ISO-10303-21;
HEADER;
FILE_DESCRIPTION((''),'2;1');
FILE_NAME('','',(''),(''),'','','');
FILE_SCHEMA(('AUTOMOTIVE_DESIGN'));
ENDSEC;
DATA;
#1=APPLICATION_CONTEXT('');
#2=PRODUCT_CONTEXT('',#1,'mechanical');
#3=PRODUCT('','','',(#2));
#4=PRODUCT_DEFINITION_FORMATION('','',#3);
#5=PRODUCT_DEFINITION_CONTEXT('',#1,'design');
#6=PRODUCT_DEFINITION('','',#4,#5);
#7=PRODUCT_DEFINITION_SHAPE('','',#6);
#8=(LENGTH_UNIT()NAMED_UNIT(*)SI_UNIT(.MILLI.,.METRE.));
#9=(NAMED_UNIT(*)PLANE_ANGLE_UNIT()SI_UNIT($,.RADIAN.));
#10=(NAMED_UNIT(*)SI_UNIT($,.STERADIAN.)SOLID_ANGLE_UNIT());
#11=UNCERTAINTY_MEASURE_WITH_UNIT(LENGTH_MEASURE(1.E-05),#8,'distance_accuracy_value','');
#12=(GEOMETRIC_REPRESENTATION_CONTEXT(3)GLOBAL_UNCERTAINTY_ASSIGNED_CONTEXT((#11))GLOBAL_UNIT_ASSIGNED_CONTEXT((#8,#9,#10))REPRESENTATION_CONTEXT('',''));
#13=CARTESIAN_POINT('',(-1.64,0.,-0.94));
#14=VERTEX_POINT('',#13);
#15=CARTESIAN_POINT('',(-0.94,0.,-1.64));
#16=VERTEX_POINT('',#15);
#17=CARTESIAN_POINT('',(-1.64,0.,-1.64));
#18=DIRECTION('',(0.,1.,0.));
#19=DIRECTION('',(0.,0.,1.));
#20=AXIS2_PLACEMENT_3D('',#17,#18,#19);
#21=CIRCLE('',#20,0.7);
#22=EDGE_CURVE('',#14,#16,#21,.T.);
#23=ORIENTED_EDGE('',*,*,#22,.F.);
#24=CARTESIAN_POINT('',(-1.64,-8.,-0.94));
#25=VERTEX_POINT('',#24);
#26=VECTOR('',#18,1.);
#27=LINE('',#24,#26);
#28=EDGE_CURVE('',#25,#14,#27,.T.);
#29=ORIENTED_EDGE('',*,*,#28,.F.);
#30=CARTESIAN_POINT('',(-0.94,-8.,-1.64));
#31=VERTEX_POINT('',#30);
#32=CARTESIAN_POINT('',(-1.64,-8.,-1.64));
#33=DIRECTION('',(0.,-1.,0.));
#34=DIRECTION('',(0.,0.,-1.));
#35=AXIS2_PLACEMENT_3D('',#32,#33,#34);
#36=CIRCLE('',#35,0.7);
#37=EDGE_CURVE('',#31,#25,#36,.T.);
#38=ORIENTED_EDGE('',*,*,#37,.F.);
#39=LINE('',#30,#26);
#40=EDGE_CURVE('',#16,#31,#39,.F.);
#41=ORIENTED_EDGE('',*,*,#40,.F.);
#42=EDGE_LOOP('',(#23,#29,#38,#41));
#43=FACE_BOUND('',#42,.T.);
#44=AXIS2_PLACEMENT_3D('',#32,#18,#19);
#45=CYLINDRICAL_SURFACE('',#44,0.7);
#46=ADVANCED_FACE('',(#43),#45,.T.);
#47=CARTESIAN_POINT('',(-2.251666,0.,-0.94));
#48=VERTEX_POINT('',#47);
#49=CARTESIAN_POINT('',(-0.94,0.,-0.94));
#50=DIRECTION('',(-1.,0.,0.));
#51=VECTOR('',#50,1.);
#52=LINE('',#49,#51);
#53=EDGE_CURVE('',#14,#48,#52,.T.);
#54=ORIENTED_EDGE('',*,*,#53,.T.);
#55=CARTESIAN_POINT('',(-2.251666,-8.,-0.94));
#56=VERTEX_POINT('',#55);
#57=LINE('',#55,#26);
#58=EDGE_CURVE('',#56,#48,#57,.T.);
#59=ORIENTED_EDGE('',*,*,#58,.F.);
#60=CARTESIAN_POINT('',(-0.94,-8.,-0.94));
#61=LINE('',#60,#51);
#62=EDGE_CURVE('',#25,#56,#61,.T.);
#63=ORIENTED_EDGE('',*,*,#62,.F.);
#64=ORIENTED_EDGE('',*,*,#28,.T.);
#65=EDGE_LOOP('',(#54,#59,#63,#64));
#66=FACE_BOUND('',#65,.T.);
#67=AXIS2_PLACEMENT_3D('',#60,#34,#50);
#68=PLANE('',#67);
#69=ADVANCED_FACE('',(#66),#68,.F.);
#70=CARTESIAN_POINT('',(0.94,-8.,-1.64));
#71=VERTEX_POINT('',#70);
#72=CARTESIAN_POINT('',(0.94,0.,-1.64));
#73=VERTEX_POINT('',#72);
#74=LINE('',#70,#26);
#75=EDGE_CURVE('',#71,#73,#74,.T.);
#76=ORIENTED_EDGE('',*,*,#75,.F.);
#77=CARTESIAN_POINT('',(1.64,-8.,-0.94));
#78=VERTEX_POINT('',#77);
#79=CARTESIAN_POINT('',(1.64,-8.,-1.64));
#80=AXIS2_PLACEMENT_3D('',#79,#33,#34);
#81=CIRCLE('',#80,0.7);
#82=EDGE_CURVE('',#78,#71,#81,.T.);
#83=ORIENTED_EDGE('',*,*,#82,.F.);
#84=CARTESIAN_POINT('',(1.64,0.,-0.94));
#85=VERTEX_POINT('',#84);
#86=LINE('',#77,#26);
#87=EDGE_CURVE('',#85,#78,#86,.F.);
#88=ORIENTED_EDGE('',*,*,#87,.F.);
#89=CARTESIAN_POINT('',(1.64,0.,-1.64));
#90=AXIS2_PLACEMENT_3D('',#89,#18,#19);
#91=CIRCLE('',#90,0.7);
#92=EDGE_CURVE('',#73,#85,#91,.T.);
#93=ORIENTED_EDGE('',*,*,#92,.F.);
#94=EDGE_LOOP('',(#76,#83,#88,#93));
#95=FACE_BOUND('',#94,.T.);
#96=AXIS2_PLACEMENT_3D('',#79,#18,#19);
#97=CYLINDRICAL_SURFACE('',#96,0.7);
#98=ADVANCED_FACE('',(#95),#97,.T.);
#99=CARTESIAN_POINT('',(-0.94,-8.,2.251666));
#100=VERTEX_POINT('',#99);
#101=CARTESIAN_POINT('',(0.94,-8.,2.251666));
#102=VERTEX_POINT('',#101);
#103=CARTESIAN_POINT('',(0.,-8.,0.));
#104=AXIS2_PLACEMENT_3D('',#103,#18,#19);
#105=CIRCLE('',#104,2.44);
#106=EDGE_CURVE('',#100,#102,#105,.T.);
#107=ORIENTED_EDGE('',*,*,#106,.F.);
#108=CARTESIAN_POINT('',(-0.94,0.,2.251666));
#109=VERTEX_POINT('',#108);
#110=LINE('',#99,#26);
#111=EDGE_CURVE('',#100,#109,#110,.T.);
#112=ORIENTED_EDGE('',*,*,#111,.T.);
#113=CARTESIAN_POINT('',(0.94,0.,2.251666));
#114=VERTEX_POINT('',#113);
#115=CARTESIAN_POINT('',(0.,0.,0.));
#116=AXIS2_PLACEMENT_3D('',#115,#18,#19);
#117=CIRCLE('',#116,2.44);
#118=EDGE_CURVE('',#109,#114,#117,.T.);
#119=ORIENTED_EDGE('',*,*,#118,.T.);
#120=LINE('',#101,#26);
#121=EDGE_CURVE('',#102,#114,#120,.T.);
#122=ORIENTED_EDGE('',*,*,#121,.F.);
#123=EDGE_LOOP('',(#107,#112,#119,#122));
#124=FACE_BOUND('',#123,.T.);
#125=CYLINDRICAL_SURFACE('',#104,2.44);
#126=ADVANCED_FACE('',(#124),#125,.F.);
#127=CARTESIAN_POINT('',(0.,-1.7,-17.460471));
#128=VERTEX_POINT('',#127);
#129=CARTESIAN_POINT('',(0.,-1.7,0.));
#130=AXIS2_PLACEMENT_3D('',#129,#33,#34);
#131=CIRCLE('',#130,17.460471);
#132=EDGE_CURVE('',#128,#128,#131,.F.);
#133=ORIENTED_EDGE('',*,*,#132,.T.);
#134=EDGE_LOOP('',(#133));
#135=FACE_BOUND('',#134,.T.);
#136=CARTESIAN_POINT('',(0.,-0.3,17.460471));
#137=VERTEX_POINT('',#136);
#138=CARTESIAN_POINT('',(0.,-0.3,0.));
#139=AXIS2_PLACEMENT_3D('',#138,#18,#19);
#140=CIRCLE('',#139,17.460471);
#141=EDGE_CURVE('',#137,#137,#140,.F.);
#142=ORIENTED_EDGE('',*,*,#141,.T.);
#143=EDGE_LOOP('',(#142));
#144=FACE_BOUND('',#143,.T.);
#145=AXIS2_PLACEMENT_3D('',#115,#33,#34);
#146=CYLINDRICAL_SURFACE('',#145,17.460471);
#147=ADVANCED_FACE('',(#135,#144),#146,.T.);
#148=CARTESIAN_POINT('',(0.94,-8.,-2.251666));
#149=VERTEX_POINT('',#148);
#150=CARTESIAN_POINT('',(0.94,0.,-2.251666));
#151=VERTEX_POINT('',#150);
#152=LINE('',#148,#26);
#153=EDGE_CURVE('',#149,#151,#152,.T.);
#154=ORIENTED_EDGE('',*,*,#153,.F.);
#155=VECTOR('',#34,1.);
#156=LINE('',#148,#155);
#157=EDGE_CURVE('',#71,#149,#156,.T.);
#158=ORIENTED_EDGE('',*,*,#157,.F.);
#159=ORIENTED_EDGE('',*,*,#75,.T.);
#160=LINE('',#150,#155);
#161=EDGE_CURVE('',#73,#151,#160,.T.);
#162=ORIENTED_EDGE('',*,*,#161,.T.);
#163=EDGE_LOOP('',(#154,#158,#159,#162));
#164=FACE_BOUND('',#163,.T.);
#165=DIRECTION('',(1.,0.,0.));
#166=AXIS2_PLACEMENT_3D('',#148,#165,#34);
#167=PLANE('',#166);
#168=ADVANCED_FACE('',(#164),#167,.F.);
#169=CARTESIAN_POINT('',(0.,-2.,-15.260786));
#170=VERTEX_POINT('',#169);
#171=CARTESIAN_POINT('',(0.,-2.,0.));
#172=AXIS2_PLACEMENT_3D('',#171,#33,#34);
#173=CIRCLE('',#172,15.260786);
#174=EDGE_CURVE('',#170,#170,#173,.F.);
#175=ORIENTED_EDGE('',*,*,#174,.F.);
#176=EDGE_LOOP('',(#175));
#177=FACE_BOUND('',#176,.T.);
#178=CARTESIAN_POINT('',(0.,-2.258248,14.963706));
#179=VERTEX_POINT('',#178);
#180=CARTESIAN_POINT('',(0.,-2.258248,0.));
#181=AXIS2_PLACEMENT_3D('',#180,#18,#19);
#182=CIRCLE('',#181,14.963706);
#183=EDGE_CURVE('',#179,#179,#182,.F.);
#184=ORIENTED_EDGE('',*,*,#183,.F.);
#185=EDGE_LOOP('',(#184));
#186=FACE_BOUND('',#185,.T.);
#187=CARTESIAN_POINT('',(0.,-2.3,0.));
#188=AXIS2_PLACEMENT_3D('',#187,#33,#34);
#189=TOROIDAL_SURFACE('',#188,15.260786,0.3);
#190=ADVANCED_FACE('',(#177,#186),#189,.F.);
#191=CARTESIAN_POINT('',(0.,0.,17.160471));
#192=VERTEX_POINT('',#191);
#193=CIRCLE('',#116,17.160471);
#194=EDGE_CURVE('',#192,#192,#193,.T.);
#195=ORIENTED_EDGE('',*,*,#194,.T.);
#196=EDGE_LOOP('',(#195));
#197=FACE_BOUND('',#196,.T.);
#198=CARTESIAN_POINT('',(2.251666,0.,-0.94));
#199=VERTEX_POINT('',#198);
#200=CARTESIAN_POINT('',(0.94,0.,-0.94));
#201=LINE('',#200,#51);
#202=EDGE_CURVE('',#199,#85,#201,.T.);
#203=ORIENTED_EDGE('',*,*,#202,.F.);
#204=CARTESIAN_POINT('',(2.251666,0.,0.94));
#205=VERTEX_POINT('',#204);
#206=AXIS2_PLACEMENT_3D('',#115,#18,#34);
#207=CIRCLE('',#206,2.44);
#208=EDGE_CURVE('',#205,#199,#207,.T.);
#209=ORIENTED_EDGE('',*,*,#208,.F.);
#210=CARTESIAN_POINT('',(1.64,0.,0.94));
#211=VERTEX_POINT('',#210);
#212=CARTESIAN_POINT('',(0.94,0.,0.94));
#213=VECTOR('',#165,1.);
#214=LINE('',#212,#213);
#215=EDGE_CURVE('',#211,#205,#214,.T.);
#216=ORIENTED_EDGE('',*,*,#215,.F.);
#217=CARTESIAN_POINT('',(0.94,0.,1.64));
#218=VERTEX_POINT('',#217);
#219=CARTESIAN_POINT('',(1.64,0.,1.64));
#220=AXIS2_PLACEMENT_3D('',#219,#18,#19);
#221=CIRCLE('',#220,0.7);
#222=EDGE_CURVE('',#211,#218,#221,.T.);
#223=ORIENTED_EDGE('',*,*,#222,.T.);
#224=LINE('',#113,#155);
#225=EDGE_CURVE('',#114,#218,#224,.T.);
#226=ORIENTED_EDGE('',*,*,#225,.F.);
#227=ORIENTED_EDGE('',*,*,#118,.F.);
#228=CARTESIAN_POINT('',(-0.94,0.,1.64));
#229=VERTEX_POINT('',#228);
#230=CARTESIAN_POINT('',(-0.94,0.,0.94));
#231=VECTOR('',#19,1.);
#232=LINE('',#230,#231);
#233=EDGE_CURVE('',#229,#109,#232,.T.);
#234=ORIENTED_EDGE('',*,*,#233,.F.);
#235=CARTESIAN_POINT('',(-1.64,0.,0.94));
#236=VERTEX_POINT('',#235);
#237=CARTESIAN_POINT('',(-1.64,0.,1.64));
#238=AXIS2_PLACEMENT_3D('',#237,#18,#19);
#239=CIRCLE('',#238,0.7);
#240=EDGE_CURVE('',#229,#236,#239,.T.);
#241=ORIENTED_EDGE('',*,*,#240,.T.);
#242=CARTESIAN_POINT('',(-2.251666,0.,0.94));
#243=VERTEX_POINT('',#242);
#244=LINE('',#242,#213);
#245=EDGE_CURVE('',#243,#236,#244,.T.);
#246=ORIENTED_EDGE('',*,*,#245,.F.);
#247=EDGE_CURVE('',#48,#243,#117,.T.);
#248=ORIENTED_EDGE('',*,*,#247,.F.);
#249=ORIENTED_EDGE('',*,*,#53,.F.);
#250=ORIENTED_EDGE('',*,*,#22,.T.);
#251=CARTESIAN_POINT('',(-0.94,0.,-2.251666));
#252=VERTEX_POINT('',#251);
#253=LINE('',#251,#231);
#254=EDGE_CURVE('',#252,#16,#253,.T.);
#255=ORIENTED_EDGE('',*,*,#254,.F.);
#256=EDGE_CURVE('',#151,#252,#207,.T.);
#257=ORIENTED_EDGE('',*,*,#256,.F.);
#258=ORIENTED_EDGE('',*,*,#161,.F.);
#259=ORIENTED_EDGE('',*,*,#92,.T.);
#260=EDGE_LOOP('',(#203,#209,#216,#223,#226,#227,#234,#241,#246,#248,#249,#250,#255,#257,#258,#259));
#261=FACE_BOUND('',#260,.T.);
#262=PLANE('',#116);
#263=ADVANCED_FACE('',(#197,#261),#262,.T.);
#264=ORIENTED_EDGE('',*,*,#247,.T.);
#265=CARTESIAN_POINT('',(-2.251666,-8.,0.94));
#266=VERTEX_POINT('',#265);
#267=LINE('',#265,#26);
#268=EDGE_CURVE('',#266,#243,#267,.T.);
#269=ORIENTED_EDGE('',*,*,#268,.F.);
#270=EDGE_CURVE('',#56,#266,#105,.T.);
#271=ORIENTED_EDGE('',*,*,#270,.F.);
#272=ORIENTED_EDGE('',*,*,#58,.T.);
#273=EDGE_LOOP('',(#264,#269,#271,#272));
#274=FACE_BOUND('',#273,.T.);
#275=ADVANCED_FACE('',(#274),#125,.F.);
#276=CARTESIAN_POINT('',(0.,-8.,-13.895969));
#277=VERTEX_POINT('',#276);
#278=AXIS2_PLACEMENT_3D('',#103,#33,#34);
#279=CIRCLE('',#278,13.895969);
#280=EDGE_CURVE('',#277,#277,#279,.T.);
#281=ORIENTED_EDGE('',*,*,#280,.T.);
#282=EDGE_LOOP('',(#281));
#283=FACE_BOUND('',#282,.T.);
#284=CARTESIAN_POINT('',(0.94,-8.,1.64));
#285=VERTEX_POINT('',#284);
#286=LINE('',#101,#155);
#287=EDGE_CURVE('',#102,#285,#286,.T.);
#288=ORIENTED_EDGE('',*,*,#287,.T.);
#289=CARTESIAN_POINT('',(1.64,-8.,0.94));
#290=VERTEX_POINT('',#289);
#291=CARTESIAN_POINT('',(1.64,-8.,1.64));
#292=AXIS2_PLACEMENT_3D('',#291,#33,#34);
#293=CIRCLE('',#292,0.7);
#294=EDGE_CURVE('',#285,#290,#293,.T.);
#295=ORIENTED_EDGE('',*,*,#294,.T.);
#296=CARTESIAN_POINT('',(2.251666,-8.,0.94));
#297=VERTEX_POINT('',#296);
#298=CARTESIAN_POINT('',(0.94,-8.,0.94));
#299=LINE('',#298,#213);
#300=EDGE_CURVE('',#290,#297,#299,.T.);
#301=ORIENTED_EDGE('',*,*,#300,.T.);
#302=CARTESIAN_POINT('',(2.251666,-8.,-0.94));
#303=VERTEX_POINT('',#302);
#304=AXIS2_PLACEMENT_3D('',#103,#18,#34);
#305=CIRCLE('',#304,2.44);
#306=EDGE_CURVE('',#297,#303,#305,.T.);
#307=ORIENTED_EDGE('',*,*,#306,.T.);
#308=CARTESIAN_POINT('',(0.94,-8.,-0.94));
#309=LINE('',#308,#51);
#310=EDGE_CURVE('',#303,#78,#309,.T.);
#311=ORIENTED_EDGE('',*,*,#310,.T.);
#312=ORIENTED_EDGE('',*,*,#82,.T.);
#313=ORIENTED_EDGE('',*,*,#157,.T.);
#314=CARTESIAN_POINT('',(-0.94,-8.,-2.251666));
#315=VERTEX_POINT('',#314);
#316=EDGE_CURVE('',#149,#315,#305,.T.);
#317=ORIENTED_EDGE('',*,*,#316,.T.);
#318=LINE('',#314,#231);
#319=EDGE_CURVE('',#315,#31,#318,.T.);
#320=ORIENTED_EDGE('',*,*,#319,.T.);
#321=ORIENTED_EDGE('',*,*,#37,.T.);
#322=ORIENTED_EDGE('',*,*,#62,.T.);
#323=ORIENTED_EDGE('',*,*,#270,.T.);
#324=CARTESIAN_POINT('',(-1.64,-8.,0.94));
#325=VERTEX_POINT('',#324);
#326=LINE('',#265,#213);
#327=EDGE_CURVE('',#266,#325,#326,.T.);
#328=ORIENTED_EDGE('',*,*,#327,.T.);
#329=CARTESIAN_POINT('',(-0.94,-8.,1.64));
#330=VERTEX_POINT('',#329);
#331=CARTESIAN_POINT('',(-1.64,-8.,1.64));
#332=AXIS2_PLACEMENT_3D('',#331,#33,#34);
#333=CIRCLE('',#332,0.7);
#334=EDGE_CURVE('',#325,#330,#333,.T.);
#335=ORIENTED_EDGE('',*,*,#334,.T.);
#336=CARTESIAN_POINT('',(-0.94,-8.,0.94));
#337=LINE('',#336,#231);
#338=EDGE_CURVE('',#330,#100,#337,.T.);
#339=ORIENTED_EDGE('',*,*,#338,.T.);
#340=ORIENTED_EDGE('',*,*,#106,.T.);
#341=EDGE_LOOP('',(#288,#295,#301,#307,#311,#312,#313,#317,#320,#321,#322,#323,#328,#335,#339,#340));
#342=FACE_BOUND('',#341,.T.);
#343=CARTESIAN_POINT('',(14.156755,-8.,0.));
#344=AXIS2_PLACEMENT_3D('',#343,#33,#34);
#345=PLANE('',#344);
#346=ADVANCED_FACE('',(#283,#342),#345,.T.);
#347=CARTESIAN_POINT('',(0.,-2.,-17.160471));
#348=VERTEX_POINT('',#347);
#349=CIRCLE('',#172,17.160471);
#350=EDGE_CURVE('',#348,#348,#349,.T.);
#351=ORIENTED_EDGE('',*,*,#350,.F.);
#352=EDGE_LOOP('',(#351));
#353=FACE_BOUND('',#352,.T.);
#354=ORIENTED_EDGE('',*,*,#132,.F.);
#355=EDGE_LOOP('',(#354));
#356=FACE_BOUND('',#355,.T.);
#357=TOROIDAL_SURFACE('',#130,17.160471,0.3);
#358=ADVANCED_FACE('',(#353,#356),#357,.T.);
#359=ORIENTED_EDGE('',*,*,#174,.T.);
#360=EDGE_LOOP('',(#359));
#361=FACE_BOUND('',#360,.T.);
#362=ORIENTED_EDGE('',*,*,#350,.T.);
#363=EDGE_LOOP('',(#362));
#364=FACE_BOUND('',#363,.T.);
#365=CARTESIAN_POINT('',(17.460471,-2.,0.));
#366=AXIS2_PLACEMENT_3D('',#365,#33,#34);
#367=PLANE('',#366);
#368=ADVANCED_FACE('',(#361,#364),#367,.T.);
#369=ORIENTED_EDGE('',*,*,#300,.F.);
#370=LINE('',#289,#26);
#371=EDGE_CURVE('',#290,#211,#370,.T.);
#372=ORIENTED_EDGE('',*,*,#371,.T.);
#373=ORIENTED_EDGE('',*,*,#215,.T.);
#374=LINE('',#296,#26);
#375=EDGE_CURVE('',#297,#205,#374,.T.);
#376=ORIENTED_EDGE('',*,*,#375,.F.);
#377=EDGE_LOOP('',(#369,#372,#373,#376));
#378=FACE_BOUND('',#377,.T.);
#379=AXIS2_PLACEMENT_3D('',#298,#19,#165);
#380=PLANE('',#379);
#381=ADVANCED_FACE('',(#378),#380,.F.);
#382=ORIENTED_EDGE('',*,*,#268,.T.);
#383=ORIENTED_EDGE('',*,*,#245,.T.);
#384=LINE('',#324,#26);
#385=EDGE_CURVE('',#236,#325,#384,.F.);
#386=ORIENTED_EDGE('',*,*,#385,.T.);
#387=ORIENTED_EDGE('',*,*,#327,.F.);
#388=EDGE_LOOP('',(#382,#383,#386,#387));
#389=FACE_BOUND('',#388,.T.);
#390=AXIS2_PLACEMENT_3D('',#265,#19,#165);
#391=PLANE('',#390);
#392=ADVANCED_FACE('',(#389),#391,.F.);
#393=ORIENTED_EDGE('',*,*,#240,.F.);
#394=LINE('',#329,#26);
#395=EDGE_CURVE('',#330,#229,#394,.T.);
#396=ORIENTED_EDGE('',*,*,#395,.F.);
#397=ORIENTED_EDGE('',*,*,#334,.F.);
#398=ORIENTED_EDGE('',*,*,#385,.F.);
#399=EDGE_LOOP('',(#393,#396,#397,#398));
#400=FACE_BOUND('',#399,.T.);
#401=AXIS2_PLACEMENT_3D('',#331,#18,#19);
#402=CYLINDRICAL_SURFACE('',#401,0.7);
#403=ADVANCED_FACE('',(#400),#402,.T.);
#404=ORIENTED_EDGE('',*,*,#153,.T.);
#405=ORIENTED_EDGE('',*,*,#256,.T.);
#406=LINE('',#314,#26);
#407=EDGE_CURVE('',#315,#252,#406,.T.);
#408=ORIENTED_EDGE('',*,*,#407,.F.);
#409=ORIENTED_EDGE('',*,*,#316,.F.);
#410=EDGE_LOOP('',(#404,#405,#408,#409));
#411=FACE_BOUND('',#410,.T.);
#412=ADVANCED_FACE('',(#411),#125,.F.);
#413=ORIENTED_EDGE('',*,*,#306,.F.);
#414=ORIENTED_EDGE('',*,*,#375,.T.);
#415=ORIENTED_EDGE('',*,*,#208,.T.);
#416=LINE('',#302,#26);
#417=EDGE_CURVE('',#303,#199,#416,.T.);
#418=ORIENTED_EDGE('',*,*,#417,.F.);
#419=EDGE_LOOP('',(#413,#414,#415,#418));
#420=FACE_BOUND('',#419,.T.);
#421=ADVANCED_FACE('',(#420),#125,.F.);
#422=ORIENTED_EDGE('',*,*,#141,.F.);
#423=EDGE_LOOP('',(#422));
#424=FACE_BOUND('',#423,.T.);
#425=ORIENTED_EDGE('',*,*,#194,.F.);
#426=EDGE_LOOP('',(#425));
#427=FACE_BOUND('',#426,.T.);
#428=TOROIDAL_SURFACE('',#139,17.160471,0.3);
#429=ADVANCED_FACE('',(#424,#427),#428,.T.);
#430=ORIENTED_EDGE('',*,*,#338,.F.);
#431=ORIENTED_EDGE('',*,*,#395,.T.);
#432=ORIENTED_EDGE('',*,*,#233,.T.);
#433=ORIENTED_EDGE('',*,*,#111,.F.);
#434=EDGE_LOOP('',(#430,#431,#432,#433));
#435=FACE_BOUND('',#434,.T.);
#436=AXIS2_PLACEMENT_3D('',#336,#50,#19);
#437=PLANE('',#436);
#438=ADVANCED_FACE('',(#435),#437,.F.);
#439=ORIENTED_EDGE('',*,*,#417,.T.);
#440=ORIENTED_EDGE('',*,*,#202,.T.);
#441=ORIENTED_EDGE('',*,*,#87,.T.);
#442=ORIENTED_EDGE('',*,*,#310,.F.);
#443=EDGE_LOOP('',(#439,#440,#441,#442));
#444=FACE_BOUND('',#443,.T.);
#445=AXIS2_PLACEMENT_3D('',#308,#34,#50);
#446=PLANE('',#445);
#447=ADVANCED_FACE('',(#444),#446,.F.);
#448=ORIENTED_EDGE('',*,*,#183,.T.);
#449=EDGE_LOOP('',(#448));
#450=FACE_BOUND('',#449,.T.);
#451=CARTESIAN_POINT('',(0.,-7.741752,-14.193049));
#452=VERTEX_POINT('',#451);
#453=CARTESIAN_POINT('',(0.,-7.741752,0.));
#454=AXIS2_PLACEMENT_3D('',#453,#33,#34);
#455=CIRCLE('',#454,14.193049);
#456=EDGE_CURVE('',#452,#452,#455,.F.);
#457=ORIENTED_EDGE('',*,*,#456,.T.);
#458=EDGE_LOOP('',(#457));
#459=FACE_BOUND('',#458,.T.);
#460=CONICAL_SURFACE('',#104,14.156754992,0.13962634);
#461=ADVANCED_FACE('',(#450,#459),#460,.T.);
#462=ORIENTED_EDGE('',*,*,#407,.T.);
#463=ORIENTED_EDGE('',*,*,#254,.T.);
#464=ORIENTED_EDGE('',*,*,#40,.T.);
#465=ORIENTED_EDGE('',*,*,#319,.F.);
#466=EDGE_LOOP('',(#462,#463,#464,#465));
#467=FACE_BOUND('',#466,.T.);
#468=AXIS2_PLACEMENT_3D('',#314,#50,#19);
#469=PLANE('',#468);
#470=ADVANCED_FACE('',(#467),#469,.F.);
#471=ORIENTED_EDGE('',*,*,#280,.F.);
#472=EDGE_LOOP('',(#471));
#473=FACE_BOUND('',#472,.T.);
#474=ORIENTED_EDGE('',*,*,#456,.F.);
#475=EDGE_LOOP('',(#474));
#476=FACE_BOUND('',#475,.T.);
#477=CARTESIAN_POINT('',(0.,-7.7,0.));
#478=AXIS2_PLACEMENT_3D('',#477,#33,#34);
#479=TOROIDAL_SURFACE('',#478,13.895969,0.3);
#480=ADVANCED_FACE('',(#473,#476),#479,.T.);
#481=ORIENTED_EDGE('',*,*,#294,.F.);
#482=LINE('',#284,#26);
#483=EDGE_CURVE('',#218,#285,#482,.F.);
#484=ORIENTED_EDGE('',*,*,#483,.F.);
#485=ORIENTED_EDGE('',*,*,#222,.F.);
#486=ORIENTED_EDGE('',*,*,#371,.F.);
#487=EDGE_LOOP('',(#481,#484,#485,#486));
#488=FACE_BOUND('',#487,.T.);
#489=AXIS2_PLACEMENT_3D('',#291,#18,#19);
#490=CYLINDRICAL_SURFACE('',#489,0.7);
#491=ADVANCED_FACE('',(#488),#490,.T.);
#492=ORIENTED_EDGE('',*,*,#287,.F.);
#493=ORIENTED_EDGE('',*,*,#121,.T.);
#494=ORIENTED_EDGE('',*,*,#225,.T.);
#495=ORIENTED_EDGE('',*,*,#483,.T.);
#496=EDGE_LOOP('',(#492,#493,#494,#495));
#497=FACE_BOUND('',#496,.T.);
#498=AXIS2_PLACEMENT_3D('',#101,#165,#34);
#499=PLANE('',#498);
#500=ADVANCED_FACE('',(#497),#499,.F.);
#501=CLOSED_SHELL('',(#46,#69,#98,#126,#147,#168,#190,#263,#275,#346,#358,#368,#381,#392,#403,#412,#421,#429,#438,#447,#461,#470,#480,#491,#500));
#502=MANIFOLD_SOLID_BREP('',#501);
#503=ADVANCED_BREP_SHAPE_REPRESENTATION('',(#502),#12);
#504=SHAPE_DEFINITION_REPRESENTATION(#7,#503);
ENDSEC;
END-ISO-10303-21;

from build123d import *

# Parameters (mm, degrees)
CUT_EXTRUDE1_DEPTH = 26.956426849
FILLET1_R          = 0.7
FILLET2_R          = 0.3


with BuildPart() as part:
    # Sketch2 → Revolve1 (revolve)
    with BuildSketch(Plane.XY, mode=Mode.PRIVATE) as revolve1_sk:
        Polygon((0, 0), (17.460470996, 0), (17.460470996, -2), (15, -2), (14.156754992, -8), (0, -8), align=None)
    revolve(revolve1_sk.sketch.rotate(Axis((0, 0, 0), (0, 1, 0)), 90), axis=Axis((0, 0, 0), (0, 1, 0)))

    # Sketch1 → Cut-Extrude1 (cut, through all)
    with BuildSketch(Plane(origin=(0, 0, 0), x_dir=(1, 0, 0), z_dir=(0, 1, 0))):
        with BuildLine():
            Line((-0.94, 0.94), (-2.25166605, 0.94))
            ThreePointArc((-2.25166605, 0.94), (-2.44, 0), (-2.25166605, -0.94))
            Line((-2.25166605, -0.94), (-0.94, -0.94))
            Line((-0.94, -0.94), (-0.94, -2.25166605))
            ThreePointArc((-0.94, -2.25166605), (0, -2.44), (0.94, -2.25166605))
            Line((0.94, -2.25166605), (0.94, -0.94))
            Line((0.94, -0.94), (2.25166605, -0.94))
            ThreePointArc((2.25166605, -0.94), (2.44, 0), (2.25166605, 0.94))
            Line((2.25166605, 0.94), (0.94, 0.94))
            Line((0.94, 0.94), (0.94, 2.25166605))
            ThreePointArc((0.94, 2.25166605), (0, 2.44), (-0.94, 2.25166605))
            Line((-0.94, 2.25166605), (-0.94, 0.94))
        make_face()
    extrude(amount=-CUT_EXTRUDE1_DEPTH, mode=Mode.SUBTRACT)

    # Fillet1
    fillet1_edges = [part.edges().sort_by_distance(p)[0] for p in [
        (-0.94, -4, -0.94),
        (0.94, -4, -0.94),
        (0.94, -4, 0.94),
        (-0.94, -4, 0.94),
    ]]
    fillet(fillet1_edges, radius=FILLET1_R)

    # Fillet2
    fillet2_edges = [part.edges().sort_by_distance(p)[0] for p in [
        (0, -8, 14.156754992),
        (0, -2, 15),
        (0, -2, 17.460470996),
        (0, 0, 17.460470996),
    ]]
    fillet(fillet2_edges, radius=FILLET2_R)


solid = part.part
